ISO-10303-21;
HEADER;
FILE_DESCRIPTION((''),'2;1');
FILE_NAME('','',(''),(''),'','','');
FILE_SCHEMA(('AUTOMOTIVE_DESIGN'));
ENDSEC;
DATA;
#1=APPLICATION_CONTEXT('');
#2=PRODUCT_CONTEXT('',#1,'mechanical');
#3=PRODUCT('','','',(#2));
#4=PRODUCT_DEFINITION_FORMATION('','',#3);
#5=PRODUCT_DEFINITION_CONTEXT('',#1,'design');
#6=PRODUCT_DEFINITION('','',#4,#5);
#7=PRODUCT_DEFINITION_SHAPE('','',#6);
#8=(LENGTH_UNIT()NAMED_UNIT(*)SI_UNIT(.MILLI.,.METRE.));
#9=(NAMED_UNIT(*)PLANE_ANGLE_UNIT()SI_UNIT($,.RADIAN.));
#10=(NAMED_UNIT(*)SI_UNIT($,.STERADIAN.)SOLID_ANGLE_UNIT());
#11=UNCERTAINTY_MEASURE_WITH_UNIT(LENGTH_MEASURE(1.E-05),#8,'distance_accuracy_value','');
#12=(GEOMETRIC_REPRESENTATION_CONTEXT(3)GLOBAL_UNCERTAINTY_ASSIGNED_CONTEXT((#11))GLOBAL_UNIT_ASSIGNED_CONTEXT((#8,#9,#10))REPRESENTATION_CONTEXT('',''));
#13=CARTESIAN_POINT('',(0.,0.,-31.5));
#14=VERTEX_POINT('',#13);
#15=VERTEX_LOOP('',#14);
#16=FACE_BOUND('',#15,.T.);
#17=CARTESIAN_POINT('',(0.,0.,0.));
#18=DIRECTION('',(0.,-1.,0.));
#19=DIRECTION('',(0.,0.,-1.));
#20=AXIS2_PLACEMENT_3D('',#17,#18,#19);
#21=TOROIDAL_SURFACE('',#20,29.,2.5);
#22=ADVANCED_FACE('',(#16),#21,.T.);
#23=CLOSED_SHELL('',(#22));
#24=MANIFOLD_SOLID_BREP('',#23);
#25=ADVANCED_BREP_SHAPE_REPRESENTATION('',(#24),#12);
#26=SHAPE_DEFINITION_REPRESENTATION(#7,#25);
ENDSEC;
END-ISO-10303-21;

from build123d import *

# Parameters (mm, degrees)
ESQUISSE1_R = 2.5


with BuildPart() as part:
    # Esquisse1 → Révolution1 (revolve)
    with BuildSketch(Plane.XY):
        with Locations((29, 0)):
            Circle(ESQUISSE1_R)
    revolve(axis=Axis((0, 0, 0), (0, 1, 0)))


solid = part.part
